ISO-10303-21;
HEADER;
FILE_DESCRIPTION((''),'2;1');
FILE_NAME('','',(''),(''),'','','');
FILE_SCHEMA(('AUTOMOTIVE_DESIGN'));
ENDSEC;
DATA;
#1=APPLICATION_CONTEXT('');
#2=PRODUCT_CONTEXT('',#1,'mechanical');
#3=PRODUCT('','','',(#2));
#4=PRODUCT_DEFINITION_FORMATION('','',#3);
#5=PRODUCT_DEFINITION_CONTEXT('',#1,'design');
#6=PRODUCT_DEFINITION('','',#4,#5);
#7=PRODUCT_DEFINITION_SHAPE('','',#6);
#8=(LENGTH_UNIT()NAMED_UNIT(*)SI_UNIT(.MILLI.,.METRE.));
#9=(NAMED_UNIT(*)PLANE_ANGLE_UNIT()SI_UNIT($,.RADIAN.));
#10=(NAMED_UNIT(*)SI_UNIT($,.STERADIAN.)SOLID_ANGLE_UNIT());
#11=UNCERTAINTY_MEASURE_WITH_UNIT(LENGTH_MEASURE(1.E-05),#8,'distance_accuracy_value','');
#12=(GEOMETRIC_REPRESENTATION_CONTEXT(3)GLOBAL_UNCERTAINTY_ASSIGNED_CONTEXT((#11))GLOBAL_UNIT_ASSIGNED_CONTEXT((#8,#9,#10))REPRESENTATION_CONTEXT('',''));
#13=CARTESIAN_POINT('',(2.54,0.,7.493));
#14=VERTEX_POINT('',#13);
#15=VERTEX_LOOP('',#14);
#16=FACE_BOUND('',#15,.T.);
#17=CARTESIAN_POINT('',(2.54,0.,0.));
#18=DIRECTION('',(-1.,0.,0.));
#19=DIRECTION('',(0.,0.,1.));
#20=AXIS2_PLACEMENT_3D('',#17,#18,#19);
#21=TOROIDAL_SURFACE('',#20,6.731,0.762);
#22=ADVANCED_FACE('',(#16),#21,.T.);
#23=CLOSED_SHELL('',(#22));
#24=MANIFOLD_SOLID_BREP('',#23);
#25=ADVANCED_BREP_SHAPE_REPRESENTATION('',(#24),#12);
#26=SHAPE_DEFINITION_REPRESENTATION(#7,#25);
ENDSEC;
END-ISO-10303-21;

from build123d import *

# Parameters (mm, degrees)
SKETCH2_R = 0.762


with BuildPart() as part:
    # Sketch2 → Revolve3 (revolve)
    with BuildSketch(Plane.XY, mode=Mode.PRIVATE) as revolve3_sk:
        with Locations((2.54, -6.731)):
            Circle(SKETCH2_R)
    revolve(revolve3_sk.sketch.rotate(Axis((-34.684965636, 0, 0), (1, 0, 0)), 270), axis=Axis((-34.684965636, 0, 0), (1, 0, 0)))  # turned: the seam where the file's is


solid = part.part
